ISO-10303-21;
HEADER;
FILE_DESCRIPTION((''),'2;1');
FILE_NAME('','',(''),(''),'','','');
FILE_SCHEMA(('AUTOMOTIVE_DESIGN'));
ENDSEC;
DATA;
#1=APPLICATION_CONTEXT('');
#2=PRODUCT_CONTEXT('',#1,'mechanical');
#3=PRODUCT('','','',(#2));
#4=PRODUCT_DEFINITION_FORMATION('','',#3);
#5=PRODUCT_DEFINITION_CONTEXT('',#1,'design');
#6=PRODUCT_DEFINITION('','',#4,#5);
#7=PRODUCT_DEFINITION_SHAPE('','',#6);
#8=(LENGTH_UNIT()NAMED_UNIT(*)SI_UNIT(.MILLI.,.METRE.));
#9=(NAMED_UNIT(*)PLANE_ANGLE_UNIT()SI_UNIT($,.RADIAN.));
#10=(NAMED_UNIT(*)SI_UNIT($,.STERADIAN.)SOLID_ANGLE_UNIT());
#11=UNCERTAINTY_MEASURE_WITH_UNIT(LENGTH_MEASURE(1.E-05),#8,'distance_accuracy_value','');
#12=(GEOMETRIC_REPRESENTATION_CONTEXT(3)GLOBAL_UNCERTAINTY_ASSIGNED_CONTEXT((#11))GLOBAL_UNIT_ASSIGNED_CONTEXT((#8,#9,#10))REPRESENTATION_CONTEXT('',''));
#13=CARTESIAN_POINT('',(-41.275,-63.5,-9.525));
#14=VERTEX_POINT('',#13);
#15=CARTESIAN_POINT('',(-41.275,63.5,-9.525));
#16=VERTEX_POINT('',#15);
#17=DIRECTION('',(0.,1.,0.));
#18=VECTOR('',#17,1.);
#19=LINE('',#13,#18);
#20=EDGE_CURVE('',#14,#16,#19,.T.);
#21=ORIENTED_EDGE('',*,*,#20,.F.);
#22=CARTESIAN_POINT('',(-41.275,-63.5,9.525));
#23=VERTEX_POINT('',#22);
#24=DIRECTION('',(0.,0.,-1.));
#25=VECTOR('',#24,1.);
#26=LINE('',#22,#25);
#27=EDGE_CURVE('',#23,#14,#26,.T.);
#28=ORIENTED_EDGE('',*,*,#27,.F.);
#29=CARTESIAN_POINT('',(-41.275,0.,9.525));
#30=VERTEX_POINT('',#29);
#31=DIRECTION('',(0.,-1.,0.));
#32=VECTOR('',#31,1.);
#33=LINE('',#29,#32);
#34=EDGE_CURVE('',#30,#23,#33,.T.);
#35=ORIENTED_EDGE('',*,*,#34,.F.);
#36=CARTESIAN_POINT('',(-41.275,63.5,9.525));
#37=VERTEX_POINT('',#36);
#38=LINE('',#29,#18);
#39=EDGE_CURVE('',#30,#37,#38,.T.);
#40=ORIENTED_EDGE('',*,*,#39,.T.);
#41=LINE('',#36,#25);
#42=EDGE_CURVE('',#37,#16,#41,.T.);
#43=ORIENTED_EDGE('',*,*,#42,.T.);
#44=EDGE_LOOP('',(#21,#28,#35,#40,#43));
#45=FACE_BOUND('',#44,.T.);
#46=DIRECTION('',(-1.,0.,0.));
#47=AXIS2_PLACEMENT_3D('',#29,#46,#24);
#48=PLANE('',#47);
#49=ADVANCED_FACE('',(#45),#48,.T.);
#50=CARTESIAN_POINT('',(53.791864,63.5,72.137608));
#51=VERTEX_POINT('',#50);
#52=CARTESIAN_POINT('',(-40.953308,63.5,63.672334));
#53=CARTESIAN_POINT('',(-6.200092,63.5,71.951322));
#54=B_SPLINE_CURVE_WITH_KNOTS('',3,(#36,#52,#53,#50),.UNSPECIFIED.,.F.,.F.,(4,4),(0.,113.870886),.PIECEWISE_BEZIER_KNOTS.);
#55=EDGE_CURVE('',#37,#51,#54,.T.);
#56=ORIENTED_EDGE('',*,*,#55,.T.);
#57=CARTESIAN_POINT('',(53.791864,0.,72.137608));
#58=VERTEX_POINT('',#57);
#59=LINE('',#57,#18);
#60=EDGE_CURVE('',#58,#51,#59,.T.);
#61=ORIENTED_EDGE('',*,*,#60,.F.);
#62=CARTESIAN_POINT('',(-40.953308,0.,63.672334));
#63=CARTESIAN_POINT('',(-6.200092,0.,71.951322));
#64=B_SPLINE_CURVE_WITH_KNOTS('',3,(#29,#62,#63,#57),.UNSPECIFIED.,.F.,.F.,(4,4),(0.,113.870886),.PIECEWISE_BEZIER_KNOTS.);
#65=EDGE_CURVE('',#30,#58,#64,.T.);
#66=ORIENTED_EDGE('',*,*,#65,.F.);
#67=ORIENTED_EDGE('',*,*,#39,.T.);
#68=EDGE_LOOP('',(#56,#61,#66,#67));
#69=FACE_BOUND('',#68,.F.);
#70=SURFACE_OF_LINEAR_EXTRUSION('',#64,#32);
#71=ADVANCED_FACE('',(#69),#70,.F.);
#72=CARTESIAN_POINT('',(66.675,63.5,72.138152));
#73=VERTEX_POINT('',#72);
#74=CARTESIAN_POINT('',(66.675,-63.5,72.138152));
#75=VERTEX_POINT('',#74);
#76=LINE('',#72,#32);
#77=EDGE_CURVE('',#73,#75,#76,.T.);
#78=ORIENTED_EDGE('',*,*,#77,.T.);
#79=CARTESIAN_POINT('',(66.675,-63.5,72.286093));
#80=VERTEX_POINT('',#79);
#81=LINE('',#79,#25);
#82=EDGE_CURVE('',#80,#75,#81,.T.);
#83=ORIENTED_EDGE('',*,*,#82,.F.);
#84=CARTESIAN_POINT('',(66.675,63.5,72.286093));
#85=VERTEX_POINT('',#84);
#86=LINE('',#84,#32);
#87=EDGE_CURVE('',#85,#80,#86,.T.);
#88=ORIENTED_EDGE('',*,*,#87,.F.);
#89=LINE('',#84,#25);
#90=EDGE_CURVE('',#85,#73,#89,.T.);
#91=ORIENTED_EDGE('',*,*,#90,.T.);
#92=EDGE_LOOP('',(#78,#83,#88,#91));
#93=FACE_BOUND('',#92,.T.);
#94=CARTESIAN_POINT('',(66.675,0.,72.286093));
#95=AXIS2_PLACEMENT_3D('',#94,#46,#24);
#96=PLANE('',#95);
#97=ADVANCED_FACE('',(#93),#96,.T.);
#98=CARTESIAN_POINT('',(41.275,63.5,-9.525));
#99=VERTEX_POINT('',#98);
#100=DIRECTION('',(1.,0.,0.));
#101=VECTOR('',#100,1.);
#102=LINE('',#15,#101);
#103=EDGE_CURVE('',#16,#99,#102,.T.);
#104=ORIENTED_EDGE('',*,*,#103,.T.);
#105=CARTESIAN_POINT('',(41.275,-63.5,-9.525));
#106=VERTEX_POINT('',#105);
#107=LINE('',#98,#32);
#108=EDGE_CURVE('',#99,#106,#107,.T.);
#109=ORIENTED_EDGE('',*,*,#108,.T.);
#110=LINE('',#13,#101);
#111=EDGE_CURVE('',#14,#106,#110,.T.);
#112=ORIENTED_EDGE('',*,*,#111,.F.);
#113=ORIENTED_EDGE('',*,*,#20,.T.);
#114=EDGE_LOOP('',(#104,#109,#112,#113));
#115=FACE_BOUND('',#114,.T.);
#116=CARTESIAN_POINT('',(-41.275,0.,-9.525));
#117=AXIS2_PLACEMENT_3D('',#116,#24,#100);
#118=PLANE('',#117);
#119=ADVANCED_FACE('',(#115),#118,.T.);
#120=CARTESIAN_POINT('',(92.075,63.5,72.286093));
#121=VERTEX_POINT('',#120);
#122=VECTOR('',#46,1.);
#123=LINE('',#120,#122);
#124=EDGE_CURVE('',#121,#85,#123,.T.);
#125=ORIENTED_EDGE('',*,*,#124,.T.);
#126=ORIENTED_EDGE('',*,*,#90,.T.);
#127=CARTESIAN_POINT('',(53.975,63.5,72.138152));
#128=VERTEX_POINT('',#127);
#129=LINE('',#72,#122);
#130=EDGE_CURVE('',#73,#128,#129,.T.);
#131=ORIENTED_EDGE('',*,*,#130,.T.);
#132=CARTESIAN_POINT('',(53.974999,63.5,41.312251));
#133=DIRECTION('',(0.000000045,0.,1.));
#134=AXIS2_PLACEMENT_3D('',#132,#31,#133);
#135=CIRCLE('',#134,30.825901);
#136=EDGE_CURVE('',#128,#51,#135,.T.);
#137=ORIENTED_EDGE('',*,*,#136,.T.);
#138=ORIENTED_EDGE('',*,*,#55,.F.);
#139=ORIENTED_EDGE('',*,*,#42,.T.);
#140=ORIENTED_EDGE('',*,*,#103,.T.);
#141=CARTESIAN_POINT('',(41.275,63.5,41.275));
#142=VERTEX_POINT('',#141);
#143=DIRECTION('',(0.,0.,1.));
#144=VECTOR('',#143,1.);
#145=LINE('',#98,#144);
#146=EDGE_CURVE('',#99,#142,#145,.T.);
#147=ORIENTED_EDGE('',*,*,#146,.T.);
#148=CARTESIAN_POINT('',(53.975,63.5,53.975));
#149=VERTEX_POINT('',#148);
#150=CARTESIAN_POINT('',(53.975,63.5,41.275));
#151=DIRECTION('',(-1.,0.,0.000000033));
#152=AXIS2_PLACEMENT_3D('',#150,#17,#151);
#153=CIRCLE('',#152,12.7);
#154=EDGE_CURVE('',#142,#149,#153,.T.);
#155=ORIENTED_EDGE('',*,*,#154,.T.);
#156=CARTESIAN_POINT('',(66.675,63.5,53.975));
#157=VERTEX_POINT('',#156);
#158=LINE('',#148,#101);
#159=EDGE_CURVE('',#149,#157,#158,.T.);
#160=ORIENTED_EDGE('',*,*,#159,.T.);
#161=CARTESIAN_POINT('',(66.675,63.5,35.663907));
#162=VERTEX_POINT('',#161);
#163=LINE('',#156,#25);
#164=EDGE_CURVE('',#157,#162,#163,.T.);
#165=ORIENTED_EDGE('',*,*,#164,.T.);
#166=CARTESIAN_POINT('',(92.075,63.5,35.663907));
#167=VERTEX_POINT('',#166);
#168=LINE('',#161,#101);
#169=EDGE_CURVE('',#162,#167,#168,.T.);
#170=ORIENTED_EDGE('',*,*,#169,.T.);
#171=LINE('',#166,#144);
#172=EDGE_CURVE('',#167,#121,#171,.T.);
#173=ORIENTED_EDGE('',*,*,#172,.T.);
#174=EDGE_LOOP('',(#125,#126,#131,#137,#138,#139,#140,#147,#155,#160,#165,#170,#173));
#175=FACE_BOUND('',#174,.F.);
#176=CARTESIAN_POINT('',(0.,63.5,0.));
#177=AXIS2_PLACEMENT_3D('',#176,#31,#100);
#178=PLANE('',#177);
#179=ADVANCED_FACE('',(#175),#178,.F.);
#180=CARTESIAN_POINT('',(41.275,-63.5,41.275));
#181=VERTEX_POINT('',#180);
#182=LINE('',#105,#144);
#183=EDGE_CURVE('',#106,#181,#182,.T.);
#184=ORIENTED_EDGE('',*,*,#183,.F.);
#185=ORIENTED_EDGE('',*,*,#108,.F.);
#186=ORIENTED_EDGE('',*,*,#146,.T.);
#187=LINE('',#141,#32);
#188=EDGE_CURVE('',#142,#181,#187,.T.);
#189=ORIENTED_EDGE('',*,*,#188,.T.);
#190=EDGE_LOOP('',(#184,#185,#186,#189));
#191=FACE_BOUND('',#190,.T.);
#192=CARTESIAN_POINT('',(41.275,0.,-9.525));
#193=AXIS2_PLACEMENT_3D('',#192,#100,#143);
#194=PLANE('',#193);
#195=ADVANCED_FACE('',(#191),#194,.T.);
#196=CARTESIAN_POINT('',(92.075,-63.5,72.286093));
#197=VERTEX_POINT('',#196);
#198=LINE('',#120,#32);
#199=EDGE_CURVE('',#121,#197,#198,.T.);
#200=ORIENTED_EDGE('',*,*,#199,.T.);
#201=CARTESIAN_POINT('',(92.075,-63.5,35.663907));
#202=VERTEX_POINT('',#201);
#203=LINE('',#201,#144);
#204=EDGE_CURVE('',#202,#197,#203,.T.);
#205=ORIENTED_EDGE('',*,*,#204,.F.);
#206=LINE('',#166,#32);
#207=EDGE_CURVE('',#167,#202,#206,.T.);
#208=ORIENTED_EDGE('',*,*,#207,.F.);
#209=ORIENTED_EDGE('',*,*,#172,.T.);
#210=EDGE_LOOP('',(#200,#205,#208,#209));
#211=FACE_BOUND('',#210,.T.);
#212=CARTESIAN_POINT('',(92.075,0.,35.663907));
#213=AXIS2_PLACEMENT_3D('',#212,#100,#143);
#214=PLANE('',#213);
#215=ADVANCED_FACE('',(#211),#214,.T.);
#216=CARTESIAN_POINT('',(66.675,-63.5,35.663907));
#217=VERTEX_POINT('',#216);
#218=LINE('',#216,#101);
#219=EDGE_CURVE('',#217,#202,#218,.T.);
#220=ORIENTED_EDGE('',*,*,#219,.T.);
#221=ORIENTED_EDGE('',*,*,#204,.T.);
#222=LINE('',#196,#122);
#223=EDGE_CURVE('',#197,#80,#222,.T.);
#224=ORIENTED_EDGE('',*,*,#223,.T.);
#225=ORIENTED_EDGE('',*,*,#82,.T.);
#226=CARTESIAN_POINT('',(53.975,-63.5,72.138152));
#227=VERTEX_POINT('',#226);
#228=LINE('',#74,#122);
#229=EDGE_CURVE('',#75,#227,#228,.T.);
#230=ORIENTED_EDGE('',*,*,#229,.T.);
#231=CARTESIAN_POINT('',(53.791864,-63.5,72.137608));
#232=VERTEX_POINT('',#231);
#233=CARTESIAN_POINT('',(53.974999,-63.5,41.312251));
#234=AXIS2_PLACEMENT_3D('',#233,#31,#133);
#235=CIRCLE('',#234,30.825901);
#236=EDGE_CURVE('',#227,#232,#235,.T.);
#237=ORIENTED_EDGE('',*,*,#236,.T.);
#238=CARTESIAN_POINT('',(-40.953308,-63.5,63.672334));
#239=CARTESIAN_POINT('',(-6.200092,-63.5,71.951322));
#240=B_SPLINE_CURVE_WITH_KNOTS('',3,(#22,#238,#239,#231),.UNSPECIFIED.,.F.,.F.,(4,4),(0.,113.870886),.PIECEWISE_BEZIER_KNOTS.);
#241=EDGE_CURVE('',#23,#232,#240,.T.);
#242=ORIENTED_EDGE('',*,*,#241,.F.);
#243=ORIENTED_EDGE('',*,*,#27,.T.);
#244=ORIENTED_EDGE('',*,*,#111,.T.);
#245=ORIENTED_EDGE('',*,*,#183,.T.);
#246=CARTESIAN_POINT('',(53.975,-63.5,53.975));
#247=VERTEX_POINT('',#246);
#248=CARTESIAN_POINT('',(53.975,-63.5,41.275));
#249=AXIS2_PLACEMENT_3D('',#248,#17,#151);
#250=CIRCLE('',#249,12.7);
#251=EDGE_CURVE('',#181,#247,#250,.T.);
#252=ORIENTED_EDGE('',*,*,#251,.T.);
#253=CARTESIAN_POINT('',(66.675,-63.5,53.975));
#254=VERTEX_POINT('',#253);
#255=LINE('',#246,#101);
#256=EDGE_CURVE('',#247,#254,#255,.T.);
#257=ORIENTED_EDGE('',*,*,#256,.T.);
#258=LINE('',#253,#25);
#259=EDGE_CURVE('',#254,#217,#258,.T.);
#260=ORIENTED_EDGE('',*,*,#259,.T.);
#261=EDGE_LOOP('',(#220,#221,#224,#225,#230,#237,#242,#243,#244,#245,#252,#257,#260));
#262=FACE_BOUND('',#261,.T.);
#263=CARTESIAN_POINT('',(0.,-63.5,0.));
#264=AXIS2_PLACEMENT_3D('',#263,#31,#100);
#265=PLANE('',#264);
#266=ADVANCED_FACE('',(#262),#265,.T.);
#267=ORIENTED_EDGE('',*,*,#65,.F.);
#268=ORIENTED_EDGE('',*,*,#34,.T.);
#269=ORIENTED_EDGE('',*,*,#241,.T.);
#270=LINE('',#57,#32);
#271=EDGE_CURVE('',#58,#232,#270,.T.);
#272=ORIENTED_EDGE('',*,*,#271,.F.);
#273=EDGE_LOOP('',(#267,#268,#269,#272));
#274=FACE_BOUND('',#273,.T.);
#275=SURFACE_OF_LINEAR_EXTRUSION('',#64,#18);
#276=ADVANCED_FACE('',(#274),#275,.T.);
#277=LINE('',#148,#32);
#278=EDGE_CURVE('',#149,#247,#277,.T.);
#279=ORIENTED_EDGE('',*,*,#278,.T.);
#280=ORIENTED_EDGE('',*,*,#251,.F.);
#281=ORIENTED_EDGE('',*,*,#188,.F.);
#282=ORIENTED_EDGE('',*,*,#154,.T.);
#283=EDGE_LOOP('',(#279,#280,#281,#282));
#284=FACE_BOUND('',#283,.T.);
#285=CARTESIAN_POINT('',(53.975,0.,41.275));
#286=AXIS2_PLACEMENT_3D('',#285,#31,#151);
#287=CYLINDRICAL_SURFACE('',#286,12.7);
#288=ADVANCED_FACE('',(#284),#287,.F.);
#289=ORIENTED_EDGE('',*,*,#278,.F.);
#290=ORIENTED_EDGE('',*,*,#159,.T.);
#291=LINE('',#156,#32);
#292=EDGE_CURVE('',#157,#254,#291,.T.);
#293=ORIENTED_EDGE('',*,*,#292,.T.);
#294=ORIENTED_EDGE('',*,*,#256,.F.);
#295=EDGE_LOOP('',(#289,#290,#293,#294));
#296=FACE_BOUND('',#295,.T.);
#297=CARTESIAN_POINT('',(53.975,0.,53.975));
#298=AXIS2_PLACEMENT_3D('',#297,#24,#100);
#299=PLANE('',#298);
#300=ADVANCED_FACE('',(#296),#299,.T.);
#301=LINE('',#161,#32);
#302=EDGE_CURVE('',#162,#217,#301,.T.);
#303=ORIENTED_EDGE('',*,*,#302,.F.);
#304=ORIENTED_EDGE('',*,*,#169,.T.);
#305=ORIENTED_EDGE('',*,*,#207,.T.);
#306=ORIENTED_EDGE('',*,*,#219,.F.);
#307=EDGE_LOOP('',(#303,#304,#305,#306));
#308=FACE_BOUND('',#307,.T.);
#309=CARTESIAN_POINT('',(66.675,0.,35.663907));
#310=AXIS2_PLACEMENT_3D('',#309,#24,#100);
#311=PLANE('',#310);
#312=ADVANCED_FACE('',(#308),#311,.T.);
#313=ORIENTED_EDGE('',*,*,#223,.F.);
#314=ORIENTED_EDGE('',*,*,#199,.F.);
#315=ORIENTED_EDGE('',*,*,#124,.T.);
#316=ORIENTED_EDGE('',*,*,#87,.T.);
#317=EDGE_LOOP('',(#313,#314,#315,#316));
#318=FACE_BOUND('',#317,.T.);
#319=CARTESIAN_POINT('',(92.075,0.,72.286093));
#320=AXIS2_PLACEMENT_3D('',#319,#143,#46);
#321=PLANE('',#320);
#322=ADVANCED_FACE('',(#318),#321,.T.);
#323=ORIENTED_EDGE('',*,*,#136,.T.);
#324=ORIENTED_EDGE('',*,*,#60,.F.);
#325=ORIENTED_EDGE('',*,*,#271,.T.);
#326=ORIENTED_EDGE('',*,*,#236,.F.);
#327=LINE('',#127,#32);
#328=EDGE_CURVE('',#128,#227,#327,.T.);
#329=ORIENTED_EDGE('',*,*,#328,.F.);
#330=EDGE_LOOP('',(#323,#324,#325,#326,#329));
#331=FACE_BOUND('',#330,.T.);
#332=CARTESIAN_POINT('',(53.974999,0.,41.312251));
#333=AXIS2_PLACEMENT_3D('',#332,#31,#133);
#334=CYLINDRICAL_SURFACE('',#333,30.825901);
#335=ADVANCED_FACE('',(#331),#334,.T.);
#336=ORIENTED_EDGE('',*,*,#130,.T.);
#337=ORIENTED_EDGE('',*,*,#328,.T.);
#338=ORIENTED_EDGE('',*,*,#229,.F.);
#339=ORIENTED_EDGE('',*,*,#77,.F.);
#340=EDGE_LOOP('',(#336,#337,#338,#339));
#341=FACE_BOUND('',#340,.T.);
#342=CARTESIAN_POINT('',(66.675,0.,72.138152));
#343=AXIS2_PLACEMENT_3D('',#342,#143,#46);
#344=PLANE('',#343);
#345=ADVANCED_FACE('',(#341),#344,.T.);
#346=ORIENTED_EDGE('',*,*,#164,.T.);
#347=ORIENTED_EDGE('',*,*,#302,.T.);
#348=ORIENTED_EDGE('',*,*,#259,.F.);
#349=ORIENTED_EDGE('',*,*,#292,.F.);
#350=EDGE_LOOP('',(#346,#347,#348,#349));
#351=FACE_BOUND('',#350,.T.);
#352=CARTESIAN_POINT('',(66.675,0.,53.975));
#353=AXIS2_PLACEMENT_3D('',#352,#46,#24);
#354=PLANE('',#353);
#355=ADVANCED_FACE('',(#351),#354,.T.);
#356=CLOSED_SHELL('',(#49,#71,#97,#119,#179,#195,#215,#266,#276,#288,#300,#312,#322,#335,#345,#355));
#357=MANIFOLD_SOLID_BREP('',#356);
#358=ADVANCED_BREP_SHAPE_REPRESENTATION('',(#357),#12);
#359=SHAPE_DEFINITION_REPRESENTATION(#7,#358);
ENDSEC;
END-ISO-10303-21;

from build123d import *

# Parameters (mm, degrees)
F1_DEPTH = 63.5


with BuildPart() as f1:
    # F0 (on Front) → F1 (new body, symmetric)
    with BuildSketch(Plane.XZ):
        Polygon((-41.275, -9.525), (41.275, -9.525), (41.275, 9.525), (23.111848, 9.525), (-41.275, 9.525), align=None)
        with BuildLine():
            Line((23.111848, 9.525), (41.275, 9.525))
            Line((41.275, 9.525), (41.275, 41.275))
            ThreePointArc((41.275, 41.275), (44.994744, 50.255256), (53.975, 53.975))
            Line((53.975, 53.975), (66.675, 53.975))
            Line((66.675, 53.975), (66.675, 72.138152))
            Line((66.675, 72.138152), (53.975, 72.138152))
            ThreePointArc((53.975, 72.138152), (53.883431, 72.138016), (53.791864, 72.137608))
            ThreePointArc((53.791864, 72.137608), (32.086803, 63.033699), (23.111848, 41.275))
            Line((23.111848, 41.275), (23.111848, 9.525))
        make_face()
        with BuildLine():
            add(Edge.make_bspline(
                [(-41.275, 9.525), (-40.953308, 63.672334), (-6.200092, 71.951322), (53.791864, 72.137608)],
                knots=[0, 0, 0, 0, 113.870886, 113.870886, 113.870886, 113.870886], degree=3))
            Line((-41.275, 9.525), (23.111848, 9.525))
            Line((23.111848, 9.525), (23.111848, 41.275))
            ThreePointArc((23.111848, 41.275), (32.086803, 63.033699), (53.791864, 72.137608))
        make_face()
        Polygon((66.675, 72.138152), (66.675, 53.975), (66.675, 35.663907), (92.075, 35.663907), (92.075, 72.286093), (66.675, 72.286093), align=None)
    extrude(amount=F1_DEPTH, both=True)


solid = f1.part
